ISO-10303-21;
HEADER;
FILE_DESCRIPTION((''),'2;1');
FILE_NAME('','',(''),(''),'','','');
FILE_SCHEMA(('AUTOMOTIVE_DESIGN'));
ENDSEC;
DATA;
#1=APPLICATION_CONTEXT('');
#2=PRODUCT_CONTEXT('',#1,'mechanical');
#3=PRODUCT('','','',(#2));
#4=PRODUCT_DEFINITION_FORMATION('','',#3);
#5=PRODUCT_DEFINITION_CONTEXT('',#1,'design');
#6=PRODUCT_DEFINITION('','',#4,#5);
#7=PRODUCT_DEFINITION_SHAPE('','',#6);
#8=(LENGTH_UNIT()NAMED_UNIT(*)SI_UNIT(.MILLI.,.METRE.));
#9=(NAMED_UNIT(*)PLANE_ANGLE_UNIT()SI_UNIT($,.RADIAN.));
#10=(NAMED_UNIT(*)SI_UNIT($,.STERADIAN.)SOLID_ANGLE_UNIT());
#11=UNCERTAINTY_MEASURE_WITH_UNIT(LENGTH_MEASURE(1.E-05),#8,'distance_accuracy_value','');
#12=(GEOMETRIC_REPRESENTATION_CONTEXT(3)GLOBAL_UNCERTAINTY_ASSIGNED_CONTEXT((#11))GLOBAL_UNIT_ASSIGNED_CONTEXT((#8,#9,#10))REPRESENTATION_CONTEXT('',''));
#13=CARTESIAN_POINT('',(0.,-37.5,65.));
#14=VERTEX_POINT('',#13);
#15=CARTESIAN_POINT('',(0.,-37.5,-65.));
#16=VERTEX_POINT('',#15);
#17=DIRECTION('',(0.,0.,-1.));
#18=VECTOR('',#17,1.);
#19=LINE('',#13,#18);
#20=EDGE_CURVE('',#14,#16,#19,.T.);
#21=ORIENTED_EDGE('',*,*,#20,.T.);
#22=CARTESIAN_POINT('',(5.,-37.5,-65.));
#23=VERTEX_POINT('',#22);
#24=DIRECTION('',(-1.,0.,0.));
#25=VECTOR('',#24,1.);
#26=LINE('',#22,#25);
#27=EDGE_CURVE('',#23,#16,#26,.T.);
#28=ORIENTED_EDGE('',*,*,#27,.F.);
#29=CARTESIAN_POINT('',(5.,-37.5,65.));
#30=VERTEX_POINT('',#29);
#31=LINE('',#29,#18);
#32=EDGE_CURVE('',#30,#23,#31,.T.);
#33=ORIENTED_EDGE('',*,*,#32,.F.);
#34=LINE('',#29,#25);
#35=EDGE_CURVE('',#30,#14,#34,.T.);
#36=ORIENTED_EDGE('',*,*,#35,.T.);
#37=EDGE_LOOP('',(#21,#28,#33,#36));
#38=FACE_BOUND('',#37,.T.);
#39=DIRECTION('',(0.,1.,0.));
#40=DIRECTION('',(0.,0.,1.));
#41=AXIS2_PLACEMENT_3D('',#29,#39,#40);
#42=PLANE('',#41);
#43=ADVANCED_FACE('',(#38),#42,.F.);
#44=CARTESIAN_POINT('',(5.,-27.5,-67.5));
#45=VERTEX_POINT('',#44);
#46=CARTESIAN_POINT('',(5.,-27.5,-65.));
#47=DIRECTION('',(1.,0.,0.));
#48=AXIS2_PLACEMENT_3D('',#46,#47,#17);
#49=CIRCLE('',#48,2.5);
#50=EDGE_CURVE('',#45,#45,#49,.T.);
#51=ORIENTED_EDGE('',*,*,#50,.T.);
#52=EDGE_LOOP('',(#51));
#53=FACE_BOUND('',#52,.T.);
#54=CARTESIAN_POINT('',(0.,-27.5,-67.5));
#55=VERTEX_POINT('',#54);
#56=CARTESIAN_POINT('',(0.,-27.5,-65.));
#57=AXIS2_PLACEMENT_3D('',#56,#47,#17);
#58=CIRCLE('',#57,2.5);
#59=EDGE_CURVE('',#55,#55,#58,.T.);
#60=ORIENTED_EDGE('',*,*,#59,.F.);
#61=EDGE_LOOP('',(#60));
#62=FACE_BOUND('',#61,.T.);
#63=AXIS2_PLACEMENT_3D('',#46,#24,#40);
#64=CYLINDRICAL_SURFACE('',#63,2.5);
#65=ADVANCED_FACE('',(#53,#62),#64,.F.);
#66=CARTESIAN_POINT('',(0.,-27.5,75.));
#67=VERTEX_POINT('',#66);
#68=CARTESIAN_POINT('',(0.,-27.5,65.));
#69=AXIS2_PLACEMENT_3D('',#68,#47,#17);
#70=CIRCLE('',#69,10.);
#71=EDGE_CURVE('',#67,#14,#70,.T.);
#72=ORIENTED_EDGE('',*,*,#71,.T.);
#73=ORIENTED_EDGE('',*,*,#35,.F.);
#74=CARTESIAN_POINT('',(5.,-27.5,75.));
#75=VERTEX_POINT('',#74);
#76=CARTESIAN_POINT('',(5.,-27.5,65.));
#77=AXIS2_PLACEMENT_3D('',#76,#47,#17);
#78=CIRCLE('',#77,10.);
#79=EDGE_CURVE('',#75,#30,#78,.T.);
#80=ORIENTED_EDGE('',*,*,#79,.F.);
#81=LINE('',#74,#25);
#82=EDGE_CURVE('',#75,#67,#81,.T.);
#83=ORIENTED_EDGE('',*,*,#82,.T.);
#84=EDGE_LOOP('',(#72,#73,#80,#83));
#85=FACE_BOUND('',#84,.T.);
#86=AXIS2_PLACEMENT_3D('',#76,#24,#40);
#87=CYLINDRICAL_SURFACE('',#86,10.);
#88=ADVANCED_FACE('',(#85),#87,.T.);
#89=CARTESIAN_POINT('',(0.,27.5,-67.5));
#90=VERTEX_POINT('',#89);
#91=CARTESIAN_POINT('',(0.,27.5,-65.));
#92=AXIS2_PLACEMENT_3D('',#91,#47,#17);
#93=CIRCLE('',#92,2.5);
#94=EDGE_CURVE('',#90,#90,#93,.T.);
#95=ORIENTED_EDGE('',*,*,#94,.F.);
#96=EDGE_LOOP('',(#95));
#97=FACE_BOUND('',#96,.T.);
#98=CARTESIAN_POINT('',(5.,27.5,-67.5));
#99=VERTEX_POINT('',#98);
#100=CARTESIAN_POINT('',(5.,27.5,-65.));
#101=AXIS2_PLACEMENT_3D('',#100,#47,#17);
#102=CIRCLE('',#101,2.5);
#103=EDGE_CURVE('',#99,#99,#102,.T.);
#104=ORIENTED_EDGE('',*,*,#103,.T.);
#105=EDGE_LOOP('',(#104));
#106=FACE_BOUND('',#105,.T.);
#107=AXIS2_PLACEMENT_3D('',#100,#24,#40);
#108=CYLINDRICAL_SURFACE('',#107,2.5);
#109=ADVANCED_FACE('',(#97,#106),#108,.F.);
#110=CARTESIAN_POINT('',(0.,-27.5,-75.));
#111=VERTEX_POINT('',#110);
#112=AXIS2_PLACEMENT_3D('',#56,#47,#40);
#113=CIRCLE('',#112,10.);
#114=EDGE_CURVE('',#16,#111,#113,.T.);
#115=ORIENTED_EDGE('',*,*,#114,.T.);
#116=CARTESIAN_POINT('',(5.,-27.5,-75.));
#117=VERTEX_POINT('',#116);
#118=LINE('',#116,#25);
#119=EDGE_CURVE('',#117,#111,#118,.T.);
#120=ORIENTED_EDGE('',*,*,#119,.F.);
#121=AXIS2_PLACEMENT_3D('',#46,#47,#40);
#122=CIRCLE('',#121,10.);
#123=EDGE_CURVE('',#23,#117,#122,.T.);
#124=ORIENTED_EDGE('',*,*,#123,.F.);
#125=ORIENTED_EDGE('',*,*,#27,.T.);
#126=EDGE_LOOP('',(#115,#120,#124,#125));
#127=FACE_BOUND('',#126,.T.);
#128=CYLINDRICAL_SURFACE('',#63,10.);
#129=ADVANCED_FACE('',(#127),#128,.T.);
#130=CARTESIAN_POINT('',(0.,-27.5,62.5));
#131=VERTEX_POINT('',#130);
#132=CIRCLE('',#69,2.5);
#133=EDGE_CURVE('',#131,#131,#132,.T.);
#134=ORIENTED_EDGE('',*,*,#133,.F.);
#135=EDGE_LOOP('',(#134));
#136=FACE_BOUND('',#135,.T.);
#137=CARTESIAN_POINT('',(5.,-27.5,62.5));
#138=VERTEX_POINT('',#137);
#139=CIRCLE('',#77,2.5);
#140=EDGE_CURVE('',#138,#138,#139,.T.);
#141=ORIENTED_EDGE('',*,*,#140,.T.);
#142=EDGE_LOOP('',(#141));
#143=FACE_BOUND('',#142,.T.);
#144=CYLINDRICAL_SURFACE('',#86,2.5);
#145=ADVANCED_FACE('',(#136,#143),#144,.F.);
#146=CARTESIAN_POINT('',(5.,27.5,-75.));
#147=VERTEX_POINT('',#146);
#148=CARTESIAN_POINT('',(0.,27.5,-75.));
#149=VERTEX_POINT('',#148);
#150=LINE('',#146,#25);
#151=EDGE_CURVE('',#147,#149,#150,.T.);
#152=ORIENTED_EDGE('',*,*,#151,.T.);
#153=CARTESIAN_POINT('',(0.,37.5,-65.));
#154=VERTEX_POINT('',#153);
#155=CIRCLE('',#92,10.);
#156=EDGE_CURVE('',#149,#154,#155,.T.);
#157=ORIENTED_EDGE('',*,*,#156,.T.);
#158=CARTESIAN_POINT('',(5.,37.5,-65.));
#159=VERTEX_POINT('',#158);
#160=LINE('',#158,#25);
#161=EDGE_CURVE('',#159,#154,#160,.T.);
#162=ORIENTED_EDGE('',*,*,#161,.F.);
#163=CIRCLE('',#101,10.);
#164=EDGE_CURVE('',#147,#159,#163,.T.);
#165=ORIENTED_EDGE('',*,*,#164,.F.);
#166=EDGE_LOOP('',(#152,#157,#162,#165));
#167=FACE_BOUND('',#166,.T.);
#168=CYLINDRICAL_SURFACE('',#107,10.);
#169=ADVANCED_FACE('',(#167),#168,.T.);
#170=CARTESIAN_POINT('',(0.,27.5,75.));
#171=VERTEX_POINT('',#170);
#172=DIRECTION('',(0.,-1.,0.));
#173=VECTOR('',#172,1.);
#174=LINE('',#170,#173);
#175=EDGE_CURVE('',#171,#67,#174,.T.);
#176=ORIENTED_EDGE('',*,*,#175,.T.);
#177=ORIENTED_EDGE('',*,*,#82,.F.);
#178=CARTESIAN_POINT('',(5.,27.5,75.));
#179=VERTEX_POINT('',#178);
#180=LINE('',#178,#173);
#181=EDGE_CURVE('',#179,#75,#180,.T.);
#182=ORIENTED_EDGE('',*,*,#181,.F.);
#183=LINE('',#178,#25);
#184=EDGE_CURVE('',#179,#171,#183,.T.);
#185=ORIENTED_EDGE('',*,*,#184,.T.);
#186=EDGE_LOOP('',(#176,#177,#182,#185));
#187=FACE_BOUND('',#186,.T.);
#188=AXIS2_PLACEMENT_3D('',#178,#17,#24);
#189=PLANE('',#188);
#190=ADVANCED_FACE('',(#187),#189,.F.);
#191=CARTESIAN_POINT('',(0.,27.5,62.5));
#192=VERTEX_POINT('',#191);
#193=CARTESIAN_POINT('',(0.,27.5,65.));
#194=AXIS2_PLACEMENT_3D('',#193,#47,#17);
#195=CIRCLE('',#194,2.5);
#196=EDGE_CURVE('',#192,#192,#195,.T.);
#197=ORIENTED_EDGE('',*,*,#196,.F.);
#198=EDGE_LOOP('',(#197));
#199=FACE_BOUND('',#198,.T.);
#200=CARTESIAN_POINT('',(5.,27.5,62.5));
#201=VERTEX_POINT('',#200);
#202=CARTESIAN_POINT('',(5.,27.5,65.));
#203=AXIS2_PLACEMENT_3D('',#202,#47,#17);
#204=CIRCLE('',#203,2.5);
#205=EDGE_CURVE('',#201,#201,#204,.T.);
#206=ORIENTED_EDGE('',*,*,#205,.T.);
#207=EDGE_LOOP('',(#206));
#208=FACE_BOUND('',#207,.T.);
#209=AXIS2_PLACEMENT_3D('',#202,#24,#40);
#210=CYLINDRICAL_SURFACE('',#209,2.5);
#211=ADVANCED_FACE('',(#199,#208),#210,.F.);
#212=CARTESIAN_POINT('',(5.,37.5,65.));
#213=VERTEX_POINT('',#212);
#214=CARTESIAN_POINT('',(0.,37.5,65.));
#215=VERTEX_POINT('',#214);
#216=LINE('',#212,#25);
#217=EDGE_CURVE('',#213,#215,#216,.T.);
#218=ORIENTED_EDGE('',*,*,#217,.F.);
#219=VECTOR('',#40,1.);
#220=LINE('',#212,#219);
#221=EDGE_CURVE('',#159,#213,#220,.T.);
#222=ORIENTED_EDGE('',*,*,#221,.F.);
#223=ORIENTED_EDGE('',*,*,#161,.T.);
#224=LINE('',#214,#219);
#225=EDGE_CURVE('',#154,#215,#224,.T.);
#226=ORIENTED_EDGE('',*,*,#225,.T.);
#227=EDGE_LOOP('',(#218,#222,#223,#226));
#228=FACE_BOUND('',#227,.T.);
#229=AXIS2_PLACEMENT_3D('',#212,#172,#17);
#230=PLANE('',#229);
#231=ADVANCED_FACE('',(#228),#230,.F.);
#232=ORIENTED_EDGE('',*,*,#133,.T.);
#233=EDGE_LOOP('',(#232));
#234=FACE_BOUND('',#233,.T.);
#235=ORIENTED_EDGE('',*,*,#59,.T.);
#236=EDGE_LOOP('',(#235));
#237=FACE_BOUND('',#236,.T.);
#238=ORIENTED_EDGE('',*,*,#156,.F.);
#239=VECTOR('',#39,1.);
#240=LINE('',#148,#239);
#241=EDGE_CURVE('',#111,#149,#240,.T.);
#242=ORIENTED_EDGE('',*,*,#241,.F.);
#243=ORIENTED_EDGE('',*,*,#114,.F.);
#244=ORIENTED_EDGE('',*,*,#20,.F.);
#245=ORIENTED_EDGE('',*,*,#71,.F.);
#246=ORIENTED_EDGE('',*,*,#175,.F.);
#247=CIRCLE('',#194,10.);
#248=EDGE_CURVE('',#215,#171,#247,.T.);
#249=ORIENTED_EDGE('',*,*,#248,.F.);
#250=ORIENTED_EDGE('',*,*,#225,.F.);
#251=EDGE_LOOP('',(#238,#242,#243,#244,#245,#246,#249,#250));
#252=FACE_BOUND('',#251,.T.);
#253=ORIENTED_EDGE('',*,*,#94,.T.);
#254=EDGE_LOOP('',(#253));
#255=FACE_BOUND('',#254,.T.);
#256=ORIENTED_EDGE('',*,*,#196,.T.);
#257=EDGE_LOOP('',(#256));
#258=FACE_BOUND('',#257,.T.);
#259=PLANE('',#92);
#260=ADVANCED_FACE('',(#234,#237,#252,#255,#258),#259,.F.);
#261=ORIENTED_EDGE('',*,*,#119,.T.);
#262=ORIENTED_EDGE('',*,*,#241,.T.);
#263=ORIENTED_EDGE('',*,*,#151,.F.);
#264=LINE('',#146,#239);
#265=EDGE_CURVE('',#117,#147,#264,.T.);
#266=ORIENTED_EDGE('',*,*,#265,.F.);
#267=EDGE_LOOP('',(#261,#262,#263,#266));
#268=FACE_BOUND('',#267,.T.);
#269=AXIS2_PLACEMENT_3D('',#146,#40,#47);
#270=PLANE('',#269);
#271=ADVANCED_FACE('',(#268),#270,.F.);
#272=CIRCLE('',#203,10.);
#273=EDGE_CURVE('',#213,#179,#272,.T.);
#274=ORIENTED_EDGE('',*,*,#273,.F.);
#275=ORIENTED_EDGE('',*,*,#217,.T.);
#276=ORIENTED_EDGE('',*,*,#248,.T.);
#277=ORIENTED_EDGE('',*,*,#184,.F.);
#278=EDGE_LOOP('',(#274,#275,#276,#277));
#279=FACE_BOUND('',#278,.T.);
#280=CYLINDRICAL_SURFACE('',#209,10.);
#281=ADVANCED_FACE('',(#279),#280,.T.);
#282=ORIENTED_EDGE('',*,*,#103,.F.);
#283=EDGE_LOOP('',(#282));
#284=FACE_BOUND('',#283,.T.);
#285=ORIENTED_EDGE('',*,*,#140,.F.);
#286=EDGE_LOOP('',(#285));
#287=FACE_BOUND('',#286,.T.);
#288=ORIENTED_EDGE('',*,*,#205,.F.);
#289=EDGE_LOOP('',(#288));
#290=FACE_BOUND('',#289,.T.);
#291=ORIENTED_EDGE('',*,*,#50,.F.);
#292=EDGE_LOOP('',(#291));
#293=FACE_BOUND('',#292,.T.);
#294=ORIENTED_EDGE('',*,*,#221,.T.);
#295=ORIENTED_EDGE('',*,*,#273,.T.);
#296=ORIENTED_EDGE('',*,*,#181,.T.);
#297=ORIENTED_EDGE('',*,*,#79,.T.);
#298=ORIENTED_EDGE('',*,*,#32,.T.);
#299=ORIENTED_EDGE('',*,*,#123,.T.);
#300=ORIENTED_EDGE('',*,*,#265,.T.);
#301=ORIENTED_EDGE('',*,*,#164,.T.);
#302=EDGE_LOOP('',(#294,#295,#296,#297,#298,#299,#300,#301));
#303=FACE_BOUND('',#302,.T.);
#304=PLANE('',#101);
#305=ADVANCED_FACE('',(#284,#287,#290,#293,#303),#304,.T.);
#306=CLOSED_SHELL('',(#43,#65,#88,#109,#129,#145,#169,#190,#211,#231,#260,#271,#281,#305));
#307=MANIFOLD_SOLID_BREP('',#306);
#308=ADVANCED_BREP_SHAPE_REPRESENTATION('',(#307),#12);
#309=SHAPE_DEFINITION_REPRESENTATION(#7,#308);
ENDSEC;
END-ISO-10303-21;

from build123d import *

# Parameters (mm, degrees)
SKETCH1_R           = 2.5
BOSS_EXTRUDE1_DEPTH = 5


with BuildPart() as part:
    # Sketch1 → Boss-Extrude1 (new body)
    with BuildSketch(Plane(origin=(0, 0, 0), x_dir=(0, 0, -1), z_dir=(1, 0, 0))):
        with BuildLine():
            Line((-65, 37.5), (65, 37.5))
            ThreePointArc((65, 37.5), (72.071067812, 34.571067812), (75, 27.5))
            Line((75, 27.5), (75, -27.5))
            ThreePointArc((75, -27.5), (72.071067812, -34.571067812), (65, -37.5))
            Line((65, -37.5), (-65, -37.5))
            ThreePointArc((-65, -37.5), (-72.071067812, -34.571067812), (-75, -27.5))
            Line((-75, -27.5), (-75, 27.5))
            ThreePointArc((-75, 27.5), (-72.071067812, 34.571067812), (-65, 37.5))
        make_face()
        with Locations((-65, 27.5)):
            Circle(SKETCH1_R, mode=Mode.SUBTRACT)
        with Locations((65, 27.5)):
            Circle(SKETCH1_R, mode=Mode.SUBTRACT)
        with Locations((65, -27.5)):
            Circle(SKETCH1_R, mode=Mode.SUBTRACT)
        with Locations((-65, -27.5)):
            Circle(SKETCH1_R, mode=Mode.SUBTRACT)
    extrude(amount=BOSS_EXTRUDE1_DEPTH)


solid = part.part
